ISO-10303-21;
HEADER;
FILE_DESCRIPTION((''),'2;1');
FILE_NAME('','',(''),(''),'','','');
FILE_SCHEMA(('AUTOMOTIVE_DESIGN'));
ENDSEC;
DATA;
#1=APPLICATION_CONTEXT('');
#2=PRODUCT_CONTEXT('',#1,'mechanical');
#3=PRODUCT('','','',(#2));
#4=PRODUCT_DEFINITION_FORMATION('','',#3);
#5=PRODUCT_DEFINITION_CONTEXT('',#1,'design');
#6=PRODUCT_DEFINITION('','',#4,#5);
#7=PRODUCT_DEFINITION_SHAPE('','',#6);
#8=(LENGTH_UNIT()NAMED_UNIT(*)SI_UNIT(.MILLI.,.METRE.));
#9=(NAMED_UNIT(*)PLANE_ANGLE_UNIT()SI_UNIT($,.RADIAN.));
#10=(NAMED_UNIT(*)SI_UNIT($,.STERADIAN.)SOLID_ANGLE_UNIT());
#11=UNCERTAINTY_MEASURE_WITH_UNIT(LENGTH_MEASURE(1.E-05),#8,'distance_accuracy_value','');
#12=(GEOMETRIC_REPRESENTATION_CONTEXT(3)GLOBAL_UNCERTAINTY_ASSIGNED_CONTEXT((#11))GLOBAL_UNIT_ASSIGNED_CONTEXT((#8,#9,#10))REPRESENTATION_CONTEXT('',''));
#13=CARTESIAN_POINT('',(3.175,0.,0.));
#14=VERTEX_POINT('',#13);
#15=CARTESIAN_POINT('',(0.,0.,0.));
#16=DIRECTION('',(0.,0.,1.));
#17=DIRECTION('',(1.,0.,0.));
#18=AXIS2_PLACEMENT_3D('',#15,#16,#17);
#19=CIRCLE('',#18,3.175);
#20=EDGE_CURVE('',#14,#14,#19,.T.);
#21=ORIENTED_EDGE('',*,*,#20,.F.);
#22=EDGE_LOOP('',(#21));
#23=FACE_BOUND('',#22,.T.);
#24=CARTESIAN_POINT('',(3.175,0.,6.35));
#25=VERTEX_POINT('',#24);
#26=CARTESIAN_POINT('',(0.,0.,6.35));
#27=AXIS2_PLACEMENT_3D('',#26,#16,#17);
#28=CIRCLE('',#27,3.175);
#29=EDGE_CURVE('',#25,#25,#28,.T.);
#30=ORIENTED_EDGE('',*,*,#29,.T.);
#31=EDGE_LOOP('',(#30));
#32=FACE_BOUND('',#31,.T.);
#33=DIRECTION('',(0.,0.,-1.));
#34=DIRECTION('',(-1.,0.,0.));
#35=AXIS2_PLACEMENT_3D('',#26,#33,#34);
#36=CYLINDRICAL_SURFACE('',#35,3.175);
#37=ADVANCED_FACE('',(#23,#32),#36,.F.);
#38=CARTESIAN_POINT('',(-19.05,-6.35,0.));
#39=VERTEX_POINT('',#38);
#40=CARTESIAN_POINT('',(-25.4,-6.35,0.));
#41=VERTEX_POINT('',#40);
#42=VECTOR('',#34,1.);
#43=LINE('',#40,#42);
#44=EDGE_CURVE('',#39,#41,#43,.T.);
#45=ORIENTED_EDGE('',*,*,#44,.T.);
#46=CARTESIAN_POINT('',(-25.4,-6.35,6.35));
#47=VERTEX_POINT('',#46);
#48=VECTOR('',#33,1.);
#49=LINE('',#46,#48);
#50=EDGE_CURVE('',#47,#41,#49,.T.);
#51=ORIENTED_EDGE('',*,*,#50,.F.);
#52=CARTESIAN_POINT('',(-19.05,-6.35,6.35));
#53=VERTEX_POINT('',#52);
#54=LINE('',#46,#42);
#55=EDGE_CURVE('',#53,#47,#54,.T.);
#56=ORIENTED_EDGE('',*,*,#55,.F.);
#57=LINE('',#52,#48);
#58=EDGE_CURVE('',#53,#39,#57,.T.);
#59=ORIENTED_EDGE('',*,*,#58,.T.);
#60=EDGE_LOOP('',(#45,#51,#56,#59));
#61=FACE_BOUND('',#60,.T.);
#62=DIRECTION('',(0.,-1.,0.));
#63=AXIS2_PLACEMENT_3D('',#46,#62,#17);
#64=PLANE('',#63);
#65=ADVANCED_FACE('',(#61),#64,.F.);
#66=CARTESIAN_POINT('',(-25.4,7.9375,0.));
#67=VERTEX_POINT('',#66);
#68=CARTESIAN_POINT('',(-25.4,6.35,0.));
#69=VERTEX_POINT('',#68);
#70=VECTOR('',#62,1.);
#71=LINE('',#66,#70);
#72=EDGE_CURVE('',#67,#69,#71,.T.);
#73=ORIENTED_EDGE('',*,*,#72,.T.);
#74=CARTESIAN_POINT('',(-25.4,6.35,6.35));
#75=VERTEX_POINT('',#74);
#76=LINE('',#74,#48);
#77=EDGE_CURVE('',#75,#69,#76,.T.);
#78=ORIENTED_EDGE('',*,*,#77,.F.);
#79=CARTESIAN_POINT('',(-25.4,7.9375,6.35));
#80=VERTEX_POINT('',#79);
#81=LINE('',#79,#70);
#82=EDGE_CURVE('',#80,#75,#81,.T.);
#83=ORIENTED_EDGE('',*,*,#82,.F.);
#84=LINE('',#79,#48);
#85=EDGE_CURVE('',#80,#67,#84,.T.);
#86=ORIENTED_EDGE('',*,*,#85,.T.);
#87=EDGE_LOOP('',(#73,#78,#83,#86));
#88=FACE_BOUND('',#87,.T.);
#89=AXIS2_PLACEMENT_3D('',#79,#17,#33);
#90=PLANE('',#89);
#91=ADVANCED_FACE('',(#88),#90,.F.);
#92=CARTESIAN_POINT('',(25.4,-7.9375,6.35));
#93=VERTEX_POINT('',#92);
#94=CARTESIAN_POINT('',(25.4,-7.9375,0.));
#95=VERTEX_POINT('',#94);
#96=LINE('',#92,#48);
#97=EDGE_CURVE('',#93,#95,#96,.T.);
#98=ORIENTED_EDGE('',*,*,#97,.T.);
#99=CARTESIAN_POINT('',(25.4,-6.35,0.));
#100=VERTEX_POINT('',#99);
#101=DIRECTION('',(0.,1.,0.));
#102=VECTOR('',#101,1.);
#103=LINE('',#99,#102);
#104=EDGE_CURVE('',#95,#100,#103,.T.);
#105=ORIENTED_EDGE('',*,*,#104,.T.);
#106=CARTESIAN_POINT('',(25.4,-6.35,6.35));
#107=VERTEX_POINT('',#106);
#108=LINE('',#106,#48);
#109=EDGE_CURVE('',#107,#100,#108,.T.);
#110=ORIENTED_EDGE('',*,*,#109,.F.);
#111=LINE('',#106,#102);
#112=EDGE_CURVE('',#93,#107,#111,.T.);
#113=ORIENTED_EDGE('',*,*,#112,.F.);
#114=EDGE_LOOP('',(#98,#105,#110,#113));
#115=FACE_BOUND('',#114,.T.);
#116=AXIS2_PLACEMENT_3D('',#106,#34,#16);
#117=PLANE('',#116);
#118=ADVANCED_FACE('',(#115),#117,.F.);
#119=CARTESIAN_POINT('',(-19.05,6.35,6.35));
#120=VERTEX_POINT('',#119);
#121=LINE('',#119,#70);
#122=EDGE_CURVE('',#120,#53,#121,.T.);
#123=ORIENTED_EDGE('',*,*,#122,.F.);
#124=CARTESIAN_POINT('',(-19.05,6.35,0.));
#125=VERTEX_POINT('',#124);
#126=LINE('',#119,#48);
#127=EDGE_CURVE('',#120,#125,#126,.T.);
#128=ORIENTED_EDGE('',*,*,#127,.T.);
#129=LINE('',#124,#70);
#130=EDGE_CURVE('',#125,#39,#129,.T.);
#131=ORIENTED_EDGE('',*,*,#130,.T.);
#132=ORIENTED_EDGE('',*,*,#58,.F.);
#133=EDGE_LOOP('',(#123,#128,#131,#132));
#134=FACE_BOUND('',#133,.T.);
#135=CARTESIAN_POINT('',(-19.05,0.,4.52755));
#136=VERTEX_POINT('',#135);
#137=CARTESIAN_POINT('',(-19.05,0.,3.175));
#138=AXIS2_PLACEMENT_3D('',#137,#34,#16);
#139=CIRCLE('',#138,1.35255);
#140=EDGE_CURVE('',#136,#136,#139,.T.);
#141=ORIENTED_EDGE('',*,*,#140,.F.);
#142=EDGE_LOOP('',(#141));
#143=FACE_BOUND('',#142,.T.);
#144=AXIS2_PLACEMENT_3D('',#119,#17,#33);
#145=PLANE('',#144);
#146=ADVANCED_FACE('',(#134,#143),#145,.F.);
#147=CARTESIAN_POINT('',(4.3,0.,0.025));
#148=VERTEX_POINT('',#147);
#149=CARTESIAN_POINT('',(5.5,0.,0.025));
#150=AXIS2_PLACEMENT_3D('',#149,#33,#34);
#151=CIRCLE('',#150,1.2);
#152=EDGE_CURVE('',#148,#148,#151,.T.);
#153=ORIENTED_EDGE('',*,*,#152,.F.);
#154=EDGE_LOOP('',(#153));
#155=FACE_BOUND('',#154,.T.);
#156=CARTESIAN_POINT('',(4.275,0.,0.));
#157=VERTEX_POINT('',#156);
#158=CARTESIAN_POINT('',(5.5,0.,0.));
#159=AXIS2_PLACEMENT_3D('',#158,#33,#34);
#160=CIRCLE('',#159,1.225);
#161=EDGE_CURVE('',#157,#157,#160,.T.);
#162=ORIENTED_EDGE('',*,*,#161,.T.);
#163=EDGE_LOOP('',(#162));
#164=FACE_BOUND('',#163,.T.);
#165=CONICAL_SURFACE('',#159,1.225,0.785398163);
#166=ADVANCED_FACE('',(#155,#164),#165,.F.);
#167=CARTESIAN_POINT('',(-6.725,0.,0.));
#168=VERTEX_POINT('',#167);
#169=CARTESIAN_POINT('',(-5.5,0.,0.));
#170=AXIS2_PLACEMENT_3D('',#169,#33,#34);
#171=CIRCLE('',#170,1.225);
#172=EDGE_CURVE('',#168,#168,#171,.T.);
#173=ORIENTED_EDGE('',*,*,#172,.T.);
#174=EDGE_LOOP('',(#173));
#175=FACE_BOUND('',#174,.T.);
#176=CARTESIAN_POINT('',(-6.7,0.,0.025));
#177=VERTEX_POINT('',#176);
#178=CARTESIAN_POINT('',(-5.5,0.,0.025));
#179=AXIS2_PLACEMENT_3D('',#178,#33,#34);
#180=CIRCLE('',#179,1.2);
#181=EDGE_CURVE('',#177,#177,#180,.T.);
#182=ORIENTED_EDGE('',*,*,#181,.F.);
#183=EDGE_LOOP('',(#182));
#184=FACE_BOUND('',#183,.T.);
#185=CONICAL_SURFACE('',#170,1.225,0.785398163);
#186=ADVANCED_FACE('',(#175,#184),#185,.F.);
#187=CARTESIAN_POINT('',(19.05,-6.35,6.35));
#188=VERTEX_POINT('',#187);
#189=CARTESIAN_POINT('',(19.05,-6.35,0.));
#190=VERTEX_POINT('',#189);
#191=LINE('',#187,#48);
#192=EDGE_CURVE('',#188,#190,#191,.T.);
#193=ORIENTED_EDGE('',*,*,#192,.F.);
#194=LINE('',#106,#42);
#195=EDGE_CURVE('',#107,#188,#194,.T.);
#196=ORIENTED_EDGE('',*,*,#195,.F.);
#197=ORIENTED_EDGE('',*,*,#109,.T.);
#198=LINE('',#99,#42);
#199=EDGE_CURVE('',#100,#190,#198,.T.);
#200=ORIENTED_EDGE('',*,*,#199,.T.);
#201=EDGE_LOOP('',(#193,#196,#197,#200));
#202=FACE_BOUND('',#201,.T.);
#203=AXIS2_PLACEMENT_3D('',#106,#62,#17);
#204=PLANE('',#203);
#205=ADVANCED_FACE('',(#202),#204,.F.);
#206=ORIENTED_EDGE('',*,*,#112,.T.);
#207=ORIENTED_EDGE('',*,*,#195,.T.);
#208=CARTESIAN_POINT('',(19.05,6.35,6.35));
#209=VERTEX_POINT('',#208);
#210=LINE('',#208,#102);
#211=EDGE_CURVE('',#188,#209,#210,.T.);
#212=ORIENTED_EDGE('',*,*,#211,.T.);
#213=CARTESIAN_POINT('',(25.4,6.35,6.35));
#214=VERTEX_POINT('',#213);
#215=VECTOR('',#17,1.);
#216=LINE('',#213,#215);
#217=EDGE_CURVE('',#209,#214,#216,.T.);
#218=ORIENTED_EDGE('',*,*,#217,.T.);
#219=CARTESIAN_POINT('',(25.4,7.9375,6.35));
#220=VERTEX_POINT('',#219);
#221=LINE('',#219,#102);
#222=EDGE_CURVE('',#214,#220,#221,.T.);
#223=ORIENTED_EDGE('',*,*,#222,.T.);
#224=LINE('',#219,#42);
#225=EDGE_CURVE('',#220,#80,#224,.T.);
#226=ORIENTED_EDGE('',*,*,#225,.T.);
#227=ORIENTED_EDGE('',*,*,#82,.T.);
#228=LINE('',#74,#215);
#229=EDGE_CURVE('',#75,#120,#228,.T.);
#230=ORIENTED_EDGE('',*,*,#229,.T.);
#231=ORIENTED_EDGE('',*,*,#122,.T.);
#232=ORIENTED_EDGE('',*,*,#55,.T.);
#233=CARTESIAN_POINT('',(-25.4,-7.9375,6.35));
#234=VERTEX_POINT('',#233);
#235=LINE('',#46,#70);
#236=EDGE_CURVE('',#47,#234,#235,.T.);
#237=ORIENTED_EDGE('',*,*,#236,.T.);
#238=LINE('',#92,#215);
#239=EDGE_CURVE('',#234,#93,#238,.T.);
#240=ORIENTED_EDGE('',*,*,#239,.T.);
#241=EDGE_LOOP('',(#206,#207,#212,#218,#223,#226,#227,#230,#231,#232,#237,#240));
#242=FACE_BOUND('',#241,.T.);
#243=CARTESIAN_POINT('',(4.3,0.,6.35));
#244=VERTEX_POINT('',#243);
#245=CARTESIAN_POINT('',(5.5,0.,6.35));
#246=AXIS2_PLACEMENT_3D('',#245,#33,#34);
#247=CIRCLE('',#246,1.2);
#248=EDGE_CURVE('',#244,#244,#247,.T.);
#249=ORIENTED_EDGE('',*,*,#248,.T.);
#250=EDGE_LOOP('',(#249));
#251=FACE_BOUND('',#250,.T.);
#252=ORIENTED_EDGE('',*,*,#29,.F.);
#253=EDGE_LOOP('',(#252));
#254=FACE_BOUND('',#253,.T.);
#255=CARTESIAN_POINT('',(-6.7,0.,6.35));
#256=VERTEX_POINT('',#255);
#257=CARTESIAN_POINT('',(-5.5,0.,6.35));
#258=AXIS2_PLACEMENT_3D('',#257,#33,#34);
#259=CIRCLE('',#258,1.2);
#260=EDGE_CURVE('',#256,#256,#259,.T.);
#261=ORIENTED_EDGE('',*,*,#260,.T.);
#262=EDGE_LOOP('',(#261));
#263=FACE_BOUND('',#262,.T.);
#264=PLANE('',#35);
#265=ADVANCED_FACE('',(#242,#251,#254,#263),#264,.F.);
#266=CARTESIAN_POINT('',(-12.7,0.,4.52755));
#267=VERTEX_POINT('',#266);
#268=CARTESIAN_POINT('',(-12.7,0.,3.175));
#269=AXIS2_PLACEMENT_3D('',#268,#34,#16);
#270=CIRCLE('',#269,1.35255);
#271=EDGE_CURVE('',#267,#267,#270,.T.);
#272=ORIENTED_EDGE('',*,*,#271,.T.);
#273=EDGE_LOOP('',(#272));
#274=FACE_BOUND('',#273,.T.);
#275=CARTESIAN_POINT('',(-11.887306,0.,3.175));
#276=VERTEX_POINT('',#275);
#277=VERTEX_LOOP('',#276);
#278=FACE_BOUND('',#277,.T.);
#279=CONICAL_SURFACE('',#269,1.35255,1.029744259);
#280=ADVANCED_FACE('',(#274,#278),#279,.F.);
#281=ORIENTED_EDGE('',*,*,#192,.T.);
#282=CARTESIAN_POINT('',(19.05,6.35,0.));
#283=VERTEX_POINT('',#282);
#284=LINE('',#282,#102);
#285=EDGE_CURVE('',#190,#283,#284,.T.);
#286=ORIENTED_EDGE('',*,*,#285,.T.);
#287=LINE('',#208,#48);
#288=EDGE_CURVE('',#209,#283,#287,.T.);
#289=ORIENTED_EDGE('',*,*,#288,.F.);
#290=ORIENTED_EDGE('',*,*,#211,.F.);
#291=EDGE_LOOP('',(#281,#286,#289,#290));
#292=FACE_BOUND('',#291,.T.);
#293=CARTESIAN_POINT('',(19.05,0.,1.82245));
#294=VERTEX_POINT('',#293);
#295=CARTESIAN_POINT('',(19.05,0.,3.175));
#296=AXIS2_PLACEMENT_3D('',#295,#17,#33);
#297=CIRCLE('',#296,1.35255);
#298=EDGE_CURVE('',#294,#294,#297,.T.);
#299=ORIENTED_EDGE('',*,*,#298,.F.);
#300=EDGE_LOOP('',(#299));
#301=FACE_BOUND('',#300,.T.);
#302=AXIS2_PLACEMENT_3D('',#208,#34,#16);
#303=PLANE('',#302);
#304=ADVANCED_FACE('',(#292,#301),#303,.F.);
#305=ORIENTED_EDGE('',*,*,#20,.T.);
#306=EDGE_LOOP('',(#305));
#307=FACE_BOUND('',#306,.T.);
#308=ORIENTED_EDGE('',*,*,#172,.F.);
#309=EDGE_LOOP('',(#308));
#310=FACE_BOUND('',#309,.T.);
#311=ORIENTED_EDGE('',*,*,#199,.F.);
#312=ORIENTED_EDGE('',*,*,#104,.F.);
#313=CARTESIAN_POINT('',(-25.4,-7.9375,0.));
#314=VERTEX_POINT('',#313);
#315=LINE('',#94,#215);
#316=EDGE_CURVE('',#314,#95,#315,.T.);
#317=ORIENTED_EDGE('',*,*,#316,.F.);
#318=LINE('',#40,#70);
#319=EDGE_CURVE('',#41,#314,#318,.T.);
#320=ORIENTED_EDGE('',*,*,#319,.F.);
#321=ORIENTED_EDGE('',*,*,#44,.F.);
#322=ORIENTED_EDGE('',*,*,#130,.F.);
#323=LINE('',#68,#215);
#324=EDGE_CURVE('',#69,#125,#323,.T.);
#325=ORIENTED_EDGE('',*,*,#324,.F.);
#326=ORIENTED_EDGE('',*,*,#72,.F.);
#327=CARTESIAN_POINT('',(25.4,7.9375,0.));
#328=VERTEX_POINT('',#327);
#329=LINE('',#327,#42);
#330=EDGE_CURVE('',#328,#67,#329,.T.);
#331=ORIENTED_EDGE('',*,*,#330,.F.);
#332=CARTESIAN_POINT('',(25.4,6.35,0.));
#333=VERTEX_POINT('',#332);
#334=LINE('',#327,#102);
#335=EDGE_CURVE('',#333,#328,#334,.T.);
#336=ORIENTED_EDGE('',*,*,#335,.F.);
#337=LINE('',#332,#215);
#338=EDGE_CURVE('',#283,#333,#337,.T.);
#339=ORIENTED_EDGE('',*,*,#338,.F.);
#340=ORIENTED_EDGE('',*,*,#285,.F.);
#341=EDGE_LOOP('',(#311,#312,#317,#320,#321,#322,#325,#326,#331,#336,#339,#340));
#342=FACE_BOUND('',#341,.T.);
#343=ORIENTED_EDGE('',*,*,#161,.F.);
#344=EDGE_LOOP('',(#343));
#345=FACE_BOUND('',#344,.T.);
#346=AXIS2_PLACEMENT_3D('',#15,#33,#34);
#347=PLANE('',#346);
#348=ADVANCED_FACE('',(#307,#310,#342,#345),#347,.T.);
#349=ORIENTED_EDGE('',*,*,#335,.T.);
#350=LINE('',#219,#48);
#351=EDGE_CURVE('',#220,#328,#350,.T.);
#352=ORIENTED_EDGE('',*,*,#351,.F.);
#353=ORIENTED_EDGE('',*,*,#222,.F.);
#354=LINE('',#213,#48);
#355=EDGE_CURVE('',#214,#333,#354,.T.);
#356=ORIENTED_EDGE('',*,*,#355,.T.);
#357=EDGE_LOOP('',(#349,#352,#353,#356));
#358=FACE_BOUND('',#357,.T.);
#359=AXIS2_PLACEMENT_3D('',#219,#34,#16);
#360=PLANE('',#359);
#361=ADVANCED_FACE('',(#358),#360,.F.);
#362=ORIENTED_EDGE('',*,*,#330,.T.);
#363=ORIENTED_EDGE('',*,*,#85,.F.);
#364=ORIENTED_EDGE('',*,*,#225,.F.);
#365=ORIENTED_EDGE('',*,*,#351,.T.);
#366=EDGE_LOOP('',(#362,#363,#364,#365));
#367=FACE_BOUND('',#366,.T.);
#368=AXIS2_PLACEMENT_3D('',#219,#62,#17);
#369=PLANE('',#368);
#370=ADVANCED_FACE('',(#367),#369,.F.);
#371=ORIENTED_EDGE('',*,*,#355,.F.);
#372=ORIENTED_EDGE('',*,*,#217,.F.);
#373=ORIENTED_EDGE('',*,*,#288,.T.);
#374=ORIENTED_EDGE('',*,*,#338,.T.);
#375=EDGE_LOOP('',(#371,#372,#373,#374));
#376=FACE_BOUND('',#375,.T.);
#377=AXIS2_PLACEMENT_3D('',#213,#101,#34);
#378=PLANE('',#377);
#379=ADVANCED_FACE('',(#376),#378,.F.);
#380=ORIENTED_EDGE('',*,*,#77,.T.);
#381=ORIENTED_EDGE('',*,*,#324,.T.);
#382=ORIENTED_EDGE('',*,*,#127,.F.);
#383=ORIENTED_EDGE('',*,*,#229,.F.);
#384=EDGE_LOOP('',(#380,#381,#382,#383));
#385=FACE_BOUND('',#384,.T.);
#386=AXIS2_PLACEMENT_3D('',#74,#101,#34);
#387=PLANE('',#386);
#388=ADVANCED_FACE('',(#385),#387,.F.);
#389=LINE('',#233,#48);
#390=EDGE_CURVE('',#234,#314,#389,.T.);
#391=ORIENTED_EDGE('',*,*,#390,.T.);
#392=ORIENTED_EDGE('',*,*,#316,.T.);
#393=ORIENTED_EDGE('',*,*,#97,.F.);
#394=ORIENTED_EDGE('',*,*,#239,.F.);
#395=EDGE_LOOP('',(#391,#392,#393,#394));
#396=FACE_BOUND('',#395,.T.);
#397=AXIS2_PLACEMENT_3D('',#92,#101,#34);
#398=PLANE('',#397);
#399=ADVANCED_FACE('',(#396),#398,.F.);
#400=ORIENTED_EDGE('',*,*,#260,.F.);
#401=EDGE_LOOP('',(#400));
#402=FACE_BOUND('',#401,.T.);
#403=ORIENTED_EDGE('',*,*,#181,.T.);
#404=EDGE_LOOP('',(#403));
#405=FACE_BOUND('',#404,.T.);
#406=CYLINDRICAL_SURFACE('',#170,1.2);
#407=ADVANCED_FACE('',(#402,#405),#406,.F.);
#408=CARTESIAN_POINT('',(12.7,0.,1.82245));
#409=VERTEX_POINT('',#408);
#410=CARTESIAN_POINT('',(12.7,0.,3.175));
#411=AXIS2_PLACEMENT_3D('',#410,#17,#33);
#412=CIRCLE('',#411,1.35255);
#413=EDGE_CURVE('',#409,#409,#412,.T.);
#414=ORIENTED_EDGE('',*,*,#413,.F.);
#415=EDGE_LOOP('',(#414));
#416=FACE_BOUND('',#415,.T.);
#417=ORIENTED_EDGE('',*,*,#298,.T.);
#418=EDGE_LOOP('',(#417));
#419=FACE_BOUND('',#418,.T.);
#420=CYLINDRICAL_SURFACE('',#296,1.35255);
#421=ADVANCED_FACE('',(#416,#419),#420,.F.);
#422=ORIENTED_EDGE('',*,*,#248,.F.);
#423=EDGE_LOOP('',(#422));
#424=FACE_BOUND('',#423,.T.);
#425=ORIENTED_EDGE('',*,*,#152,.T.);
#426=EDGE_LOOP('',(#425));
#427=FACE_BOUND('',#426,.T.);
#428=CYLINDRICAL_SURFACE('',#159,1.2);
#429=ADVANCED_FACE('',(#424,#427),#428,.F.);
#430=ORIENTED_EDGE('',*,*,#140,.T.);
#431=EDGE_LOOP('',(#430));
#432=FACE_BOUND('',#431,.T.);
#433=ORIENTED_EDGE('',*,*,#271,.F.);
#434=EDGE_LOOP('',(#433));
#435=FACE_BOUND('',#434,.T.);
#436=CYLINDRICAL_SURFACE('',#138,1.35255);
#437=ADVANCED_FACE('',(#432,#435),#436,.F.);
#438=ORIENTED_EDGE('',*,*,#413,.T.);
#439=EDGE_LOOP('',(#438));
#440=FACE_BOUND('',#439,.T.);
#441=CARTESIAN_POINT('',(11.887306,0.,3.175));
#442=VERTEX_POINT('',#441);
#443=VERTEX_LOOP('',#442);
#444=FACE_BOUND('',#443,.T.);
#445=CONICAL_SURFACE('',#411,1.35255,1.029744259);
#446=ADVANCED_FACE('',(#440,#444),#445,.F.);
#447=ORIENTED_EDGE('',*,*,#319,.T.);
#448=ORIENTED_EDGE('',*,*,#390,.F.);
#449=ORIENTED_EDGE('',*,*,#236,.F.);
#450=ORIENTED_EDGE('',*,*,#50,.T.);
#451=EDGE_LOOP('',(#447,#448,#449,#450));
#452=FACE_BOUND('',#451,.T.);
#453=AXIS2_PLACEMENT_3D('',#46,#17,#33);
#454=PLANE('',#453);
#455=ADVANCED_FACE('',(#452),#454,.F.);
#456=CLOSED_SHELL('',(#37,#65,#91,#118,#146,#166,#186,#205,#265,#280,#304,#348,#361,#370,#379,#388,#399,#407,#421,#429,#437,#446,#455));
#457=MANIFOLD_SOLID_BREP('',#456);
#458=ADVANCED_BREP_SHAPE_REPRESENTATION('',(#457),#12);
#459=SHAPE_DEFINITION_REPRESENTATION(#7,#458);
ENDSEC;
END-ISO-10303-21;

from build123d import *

# Parameters (mm, degrees)
SKETCH1_R                      = 3.175
BOSS_EXTRUDE1_DEPTH            = 6.35
M2_CLEARANCE_HOLE1_D           = 2.4
M2_CLEARANCE_HOLE1_CSINK_D     = 2.45
M2_CLEARANCE_HOLE1_CSINK_ANGLE = 90


with BuildPart() as part:
    # Sketch1 → Boss-Extrude1 (new body)
    with BuildSketch(Plane.XY):
        Polygon((25.4, -6.35), (25.4, -7.9375), (-25.4, -7.9375), (-25.4, -6.35), (-19.05, -6.35), (-19.05, 6.35), (-25.4, 6.35), (-25.4, 7.9375), (25.4, 7.9375), (25.4, 6.35), (19.05, 6.35), (19.05, -6.35), align=None)
        Circle(SKETCH1_R, mode=Mode.SUBTRACT)
    extrude(amount=BOSS_EXTRUDE1_DEPTH)

    # Sketch4 → Tap Drill for #6-32 Tap1 (revolve, cut)
    with BuildSketch(Plane(origin=(19.05, 0, 3.175), x_dir=(0, 0, -1), z_dir=(0, 1, 0))):
        Polygon((0, 0), (0, 7.16269403), (1.35255, 6.35), (1.35255, 0), align=None)
    tap_drill_for_6_32_tap1 = revolve(axis=Axis((25.4, 0, 3.175), (-1, 0, 0)), mode=Mode.SUBTRACT)

    # M2 Clearance Hole1 (through all)
    with Locations(Plane(origin=(0, 0, 0), x_dir=(-1, 0, 0), z_dir=(0, 0, -1))):
        with Locations((-5.5, 0), (5.5, 0)):
            CounterSinkHole(M2_CLEARANCE_HOLE1_D / 2, M2_CLEARANCE_HOLE1_CSINK_D / 2, counter_sink_angle=M2_CLEARANCE_HOLE1_CSINK_ANGLE)

    # Mirror1: Tap Drill for #6-32 Tap1 across plane
    add(tap_drill_for_6_32_tap1.mirror(Plane.ZY), mode=Mode.SUBTRACT)


solid = part.part
